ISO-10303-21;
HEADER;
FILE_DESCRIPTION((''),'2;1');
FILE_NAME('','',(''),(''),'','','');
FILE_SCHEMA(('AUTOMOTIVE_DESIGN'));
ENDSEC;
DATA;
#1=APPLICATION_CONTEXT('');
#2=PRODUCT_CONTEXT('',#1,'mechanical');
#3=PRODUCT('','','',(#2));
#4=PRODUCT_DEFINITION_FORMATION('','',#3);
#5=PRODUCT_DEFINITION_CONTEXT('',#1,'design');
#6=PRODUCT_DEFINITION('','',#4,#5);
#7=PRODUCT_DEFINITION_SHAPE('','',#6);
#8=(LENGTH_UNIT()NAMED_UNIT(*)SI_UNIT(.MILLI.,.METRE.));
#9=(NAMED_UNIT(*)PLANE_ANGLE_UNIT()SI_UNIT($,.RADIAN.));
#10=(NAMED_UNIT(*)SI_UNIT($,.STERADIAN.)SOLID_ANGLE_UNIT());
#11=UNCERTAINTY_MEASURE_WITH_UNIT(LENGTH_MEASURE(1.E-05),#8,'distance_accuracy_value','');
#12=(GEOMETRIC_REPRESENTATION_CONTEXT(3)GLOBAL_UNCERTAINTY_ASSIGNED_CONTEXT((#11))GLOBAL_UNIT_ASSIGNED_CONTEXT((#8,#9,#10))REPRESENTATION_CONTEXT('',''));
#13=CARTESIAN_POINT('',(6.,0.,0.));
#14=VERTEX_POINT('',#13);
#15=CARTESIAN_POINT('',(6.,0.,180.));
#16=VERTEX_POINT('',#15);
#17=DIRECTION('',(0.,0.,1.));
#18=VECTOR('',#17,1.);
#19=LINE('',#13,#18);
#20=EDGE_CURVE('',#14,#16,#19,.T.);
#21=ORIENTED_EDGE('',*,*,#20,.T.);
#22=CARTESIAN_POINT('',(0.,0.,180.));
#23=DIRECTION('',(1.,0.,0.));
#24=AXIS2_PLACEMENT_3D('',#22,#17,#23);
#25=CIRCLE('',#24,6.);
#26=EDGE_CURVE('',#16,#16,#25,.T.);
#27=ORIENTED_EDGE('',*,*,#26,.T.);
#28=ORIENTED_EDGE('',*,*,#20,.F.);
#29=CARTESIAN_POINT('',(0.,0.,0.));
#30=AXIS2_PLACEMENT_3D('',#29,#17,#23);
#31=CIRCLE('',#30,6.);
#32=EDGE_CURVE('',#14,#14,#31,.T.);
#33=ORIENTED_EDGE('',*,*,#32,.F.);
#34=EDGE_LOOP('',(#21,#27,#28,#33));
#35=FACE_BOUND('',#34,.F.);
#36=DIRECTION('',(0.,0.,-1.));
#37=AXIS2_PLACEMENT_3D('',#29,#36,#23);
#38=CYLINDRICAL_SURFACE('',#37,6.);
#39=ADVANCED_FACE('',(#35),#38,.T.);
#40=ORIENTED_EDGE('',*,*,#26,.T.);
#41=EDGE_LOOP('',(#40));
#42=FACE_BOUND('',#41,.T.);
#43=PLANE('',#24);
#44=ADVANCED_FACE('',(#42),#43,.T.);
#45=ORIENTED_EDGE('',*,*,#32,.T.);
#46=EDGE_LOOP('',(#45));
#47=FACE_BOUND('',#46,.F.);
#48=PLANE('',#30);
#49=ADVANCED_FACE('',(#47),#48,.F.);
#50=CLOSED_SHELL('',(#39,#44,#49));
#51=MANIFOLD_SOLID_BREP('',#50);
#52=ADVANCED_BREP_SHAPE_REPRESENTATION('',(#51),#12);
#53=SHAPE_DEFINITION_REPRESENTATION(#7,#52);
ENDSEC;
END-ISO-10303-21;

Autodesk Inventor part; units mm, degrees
ref_plane "YZ Plane" through (0, 0, 0) normal (1, 0, 0) x (0, 1, 0)
ref_plane "XZ Plane" through (0, 0, 0) normal (0, 1, 0) x (-1, 0, 0)
ref_plane "XY Plane" through (0, 0, 0) normal (0, 0, 1) x (1, 0, 0)
sketch "スケッチ1" plane through (0, 0, 0) normal (0, 0, 1) x (1, 0, 0)
  circle A0 centre (0, 0) radius 6
  dimension "d0" = 12
extrude "押し出し1" add sketch "スケッチ1" along normal blind 180
properties part number "回転軸"
